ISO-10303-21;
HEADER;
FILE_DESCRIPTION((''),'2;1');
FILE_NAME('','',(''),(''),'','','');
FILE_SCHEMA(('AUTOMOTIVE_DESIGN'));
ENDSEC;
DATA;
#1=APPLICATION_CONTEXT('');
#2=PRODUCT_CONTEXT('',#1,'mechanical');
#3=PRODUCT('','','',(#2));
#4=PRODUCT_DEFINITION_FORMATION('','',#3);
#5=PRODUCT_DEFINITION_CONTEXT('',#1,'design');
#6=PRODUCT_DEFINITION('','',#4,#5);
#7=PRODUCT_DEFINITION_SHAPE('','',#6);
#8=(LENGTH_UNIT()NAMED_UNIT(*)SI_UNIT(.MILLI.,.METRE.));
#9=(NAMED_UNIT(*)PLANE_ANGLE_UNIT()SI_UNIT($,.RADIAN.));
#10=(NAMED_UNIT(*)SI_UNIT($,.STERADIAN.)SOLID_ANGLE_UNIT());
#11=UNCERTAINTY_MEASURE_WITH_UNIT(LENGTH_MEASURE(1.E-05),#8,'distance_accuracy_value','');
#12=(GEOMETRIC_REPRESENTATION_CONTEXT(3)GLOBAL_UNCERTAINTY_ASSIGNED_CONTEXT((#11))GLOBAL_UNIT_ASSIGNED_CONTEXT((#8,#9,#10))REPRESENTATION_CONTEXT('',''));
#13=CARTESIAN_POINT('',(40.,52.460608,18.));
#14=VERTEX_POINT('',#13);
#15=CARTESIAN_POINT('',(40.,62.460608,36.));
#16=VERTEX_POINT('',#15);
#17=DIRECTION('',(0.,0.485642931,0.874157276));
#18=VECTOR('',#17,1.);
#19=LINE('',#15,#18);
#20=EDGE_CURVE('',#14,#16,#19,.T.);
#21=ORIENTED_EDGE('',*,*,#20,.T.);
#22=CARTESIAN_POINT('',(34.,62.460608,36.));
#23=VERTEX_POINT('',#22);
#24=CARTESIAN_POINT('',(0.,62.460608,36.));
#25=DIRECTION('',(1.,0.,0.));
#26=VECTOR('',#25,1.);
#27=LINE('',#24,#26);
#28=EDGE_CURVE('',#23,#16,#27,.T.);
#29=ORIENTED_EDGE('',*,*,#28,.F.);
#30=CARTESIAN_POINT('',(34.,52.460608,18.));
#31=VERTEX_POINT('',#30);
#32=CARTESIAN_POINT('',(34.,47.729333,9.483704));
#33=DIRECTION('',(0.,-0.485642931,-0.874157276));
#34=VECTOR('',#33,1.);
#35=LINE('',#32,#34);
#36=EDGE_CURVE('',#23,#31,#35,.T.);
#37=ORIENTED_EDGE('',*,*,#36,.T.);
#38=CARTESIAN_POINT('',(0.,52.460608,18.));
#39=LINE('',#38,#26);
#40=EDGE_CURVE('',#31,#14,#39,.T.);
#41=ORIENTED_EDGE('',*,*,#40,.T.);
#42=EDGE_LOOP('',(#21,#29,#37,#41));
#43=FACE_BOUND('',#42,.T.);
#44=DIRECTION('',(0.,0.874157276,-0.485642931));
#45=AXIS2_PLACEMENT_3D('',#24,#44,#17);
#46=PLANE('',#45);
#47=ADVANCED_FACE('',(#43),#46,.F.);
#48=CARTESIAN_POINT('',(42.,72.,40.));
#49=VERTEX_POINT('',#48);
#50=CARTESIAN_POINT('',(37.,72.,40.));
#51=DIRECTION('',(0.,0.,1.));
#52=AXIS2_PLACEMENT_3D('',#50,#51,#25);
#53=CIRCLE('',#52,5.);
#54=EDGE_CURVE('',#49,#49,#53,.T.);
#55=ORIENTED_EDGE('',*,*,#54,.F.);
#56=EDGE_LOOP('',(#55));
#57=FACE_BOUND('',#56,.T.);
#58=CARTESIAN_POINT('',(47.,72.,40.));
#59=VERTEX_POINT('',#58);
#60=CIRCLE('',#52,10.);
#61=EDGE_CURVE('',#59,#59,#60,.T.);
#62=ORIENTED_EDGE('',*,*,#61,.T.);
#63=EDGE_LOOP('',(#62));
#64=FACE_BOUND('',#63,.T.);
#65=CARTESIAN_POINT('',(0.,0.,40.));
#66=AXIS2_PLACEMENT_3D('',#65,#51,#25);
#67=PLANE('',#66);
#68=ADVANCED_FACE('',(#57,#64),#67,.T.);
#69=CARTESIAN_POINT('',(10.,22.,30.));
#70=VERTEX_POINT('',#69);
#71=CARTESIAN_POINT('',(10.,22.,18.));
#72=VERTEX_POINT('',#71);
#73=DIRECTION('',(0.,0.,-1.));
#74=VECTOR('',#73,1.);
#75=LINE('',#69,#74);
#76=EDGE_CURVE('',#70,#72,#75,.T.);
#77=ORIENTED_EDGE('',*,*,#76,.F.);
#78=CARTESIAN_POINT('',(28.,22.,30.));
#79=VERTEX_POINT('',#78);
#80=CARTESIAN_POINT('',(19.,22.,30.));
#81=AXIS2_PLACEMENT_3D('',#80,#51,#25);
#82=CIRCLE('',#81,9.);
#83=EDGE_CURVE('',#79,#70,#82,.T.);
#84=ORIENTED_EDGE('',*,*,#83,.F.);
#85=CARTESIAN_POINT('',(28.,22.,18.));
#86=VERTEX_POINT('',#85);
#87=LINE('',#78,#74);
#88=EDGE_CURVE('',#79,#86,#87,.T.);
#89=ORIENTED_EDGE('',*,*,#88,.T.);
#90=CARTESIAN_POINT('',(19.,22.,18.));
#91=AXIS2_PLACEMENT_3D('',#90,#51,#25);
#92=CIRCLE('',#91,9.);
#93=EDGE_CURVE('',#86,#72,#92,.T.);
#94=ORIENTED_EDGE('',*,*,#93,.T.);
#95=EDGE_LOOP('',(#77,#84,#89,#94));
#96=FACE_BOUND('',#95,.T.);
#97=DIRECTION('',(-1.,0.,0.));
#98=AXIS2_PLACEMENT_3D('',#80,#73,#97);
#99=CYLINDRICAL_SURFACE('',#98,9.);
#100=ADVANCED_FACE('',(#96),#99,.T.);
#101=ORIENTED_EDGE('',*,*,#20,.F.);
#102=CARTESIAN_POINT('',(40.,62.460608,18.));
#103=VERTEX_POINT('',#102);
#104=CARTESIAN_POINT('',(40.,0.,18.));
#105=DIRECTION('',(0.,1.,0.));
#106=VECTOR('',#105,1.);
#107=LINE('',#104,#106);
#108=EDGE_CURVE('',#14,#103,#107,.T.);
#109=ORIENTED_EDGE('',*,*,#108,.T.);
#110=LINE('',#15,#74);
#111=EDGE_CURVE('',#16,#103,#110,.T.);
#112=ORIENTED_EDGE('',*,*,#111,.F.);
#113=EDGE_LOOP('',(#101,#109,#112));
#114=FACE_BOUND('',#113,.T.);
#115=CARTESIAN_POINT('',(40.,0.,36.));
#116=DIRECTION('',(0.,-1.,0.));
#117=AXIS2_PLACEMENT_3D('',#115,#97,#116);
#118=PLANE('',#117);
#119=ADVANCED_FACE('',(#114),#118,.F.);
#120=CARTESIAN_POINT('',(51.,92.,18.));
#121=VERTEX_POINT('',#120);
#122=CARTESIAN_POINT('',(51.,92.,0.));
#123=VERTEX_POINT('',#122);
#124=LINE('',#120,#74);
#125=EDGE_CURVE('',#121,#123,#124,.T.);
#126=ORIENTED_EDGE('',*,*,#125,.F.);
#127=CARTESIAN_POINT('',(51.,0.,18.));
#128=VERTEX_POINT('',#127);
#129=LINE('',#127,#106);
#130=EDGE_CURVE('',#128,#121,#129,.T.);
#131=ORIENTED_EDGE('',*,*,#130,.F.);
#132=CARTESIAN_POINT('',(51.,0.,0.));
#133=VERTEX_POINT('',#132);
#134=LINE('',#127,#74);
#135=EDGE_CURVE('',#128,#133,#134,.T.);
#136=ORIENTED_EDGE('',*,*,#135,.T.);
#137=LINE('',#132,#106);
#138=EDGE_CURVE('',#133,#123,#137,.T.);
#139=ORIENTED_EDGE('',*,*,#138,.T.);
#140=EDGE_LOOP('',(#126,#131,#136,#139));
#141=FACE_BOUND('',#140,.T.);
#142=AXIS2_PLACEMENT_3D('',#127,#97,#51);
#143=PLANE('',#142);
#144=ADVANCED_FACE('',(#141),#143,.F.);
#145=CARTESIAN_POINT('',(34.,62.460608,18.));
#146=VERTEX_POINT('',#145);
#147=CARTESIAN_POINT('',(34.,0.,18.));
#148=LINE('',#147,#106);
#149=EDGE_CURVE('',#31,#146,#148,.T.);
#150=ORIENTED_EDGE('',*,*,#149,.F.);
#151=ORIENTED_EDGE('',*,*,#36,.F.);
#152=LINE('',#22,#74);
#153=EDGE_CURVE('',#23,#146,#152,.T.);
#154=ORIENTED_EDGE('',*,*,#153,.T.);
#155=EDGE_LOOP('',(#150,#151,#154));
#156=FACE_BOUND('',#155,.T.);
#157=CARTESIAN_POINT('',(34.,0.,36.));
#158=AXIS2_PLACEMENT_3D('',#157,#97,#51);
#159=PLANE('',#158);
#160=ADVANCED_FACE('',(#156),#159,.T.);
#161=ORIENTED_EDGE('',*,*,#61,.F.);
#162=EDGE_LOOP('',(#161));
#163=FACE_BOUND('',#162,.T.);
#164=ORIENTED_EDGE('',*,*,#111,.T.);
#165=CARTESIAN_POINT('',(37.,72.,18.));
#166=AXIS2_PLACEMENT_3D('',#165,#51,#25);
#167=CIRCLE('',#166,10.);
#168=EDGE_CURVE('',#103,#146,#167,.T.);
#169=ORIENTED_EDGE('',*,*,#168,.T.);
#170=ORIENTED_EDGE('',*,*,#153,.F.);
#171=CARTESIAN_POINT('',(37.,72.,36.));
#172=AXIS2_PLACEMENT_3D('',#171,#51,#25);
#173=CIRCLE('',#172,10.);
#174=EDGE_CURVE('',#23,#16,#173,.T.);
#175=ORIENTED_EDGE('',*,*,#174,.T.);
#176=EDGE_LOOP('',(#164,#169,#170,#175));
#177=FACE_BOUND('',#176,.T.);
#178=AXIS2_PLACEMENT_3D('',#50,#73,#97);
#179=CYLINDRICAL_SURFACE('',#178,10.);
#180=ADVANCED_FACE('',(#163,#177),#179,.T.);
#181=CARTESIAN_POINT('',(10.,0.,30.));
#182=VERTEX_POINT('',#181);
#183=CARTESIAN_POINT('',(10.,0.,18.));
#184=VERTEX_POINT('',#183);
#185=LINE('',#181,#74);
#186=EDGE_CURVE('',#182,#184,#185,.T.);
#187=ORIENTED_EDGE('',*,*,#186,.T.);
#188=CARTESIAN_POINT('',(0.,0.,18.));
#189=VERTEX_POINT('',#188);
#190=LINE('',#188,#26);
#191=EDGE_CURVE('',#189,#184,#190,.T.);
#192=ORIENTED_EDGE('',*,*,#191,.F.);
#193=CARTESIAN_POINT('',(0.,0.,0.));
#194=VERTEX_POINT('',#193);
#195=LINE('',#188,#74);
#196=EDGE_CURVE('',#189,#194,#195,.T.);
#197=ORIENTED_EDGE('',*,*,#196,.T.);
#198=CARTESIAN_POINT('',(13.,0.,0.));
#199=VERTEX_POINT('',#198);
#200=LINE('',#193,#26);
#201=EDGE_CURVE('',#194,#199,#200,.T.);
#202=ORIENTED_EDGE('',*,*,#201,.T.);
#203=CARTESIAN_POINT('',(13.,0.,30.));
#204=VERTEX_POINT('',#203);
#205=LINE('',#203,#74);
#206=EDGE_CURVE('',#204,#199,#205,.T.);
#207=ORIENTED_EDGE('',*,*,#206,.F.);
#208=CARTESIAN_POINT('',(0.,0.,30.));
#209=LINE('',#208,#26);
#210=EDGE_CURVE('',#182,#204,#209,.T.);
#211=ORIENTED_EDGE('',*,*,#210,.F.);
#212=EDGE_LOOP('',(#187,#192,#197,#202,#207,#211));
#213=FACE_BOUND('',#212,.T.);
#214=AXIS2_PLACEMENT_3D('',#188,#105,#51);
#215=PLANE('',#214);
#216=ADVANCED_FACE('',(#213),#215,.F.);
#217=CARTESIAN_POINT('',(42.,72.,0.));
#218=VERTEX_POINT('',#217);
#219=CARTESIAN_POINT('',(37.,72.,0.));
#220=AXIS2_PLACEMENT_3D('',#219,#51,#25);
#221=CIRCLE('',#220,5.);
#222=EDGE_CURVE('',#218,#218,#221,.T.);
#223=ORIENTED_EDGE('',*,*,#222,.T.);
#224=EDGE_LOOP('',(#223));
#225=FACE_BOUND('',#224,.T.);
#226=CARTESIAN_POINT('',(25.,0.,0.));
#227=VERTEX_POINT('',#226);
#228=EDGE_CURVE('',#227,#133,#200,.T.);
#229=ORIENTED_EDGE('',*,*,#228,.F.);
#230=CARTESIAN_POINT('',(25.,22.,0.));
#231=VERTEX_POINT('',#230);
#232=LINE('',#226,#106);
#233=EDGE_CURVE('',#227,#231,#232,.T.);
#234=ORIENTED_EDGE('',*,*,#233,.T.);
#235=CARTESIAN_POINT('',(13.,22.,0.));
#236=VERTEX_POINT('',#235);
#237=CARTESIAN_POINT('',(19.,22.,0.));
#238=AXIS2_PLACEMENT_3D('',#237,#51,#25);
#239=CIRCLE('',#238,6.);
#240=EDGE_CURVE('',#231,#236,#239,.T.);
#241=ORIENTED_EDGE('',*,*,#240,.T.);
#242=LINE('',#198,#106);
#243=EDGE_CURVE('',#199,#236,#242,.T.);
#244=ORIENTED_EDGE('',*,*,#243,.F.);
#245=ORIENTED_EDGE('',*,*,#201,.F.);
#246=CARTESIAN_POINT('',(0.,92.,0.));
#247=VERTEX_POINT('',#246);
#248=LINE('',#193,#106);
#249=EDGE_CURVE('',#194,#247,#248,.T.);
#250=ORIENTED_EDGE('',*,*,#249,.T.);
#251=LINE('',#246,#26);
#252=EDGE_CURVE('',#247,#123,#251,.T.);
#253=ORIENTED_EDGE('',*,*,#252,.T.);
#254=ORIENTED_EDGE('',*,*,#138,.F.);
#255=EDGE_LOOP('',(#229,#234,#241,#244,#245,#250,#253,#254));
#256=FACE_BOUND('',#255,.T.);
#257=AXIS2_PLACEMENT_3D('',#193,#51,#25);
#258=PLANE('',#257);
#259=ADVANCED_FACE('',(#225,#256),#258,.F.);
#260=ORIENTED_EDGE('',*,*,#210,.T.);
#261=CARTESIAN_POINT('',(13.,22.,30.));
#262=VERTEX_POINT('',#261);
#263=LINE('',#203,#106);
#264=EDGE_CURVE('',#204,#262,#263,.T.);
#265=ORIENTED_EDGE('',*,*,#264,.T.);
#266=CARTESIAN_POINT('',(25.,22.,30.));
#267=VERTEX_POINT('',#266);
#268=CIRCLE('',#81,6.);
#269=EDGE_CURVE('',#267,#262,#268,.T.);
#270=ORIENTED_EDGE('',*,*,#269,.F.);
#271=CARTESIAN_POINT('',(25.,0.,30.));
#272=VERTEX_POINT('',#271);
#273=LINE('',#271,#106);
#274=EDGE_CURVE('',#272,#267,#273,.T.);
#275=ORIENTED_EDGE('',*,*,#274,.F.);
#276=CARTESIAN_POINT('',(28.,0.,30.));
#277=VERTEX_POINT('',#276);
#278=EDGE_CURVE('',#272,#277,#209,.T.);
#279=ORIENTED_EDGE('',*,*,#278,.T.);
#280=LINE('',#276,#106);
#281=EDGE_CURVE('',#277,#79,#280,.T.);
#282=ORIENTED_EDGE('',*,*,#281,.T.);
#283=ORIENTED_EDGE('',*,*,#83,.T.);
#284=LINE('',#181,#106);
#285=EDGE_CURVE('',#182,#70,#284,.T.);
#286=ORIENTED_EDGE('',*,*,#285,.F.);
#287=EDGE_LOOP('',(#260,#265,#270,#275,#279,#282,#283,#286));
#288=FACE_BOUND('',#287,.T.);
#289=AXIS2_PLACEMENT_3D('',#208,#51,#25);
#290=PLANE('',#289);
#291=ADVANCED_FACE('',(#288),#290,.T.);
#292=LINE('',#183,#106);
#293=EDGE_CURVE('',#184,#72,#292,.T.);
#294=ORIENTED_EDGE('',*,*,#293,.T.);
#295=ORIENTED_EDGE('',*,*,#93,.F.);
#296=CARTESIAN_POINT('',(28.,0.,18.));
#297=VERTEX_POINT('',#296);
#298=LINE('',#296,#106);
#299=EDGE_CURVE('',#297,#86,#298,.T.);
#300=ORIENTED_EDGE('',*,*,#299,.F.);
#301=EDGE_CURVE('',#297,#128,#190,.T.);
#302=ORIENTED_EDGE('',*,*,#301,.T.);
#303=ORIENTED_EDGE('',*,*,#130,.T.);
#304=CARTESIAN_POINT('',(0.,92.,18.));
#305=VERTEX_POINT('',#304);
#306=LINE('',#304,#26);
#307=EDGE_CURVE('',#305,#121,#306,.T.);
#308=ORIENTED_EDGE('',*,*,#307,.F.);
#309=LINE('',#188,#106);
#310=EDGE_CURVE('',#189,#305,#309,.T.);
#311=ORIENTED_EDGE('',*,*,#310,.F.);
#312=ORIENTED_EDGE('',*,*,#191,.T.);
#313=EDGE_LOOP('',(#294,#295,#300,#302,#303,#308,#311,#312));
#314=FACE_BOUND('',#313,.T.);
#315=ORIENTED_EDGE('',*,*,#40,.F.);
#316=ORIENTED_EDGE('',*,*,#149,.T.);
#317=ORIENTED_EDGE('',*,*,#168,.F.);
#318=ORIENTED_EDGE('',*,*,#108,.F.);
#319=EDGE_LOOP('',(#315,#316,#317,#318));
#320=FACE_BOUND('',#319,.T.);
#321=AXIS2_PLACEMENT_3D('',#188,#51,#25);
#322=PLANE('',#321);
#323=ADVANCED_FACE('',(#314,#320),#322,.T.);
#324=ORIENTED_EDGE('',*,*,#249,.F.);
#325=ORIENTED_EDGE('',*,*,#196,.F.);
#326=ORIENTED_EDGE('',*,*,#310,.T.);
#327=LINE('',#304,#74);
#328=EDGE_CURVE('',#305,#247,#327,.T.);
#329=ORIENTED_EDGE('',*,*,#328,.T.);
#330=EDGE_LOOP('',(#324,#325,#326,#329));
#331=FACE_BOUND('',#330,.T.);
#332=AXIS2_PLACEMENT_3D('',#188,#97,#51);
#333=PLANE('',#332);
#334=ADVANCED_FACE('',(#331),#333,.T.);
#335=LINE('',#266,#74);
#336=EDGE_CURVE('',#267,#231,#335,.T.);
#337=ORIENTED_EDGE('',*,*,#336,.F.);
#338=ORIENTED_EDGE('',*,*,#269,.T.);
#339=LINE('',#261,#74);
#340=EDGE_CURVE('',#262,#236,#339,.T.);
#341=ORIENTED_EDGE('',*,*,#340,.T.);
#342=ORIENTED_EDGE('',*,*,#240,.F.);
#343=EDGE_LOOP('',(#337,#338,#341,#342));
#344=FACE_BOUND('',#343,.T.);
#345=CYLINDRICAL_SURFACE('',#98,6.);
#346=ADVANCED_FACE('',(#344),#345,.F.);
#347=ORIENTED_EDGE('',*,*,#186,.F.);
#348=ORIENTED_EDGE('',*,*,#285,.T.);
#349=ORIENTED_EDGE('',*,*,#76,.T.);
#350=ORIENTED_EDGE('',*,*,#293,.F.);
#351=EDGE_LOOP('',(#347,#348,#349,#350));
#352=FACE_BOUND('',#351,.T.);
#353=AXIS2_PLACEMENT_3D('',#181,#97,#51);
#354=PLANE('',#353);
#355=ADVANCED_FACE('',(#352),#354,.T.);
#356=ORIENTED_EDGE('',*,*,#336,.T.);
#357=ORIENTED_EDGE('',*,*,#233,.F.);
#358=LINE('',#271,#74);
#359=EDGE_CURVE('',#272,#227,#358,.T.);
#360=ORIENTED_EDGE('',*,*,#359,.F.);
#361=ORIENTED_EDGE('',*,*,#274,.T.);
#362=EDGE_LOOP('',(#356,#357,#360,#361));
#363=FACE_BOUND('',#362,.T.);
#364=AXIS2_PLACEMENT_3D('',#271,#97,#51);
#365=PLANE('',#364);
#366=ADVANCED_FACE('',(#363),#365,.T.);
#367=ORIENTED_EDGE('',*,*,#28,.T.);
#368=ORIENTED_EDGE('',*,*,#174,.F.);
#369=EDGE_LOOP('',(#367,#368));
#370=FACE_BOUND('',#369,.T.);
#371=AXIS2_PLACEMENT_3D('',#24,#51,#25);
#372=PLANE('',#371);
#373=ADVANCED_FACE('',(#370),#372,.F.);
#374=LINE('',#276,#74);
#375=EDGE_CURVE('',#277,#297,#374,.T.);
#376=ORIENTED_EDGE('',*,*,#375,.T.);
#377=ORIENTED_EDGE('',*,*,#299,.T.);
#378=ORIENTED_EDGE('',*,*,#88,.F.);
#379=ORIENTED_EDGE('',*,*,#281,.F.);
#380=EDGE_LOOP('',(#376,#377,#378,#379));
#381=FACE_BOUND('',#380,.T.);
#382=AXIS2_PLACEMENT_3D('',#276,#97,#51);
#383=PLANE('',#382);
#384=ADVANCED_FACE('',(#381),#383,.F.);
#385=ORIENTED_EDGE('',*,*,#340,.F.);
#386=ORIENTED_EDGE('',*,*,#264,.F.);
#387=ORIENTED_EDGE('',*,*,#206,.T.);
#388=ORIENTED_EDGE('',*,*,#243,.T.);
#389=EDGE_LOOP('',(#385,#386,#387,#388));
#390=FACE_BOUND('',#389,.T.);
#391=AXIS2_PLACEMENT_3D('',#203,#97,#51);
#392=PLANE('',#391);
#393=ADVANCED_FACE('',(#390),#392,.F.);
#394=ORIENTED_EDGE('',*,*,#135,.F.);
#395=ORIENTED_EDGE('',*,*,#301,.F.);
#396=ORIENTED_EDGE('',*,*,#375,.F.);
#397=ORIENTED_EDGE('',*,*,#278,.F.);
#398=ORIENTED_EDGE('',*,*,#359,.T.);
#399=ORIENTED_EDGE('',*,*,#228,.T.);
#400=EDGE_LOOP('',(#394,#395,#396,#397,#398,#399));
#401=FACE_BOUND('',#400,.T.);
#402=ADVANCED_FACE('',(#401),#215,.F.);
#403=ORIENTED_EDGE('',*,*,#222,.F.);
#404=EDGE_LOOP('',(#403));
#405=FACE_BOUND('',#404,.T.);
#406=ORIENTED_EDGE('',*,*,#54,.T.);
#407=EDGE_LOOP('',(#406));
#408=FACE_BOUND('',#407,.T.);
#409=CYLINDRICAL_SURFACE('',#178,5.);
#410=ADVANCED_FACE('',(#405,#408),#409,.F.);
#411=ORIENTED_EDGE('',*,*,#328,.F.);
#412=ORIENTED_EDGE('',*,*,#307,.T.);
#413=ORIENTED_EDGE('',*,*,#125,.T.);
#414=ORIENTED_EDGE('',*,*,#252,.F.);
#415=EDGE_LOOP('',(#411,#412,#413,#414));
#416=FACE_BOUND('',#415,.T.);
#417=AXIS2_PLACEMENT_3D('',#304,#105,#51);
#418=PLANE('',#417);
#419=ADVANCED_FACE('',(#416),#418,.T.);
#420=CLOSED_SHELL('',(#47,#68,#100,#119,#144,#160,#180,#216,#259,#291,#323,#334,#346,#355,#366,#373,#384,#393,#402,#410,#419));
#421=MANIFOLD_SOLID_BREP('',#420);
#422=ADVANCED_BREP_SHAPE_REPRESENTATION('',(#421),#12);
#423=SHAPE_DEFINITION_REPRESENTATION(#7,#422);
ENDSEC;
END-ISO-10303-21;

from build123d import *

# Parameters (mm, degrees)
EXTRUDE_2_DEPTH     = 18
EXTRUDE_3_DEPTH     = 30
SKETCH_1_8_R        = 5
EXTRUDE_4_DEPTH     = 40
EXTRUDE_5_DEPTH     = 36
CUT_EXTRUDE_1_DEPTH = 109


with BuildPart() as part:
    # Эскиз1 → Бобышка-Вытянуть2 (new body)
    with BuildSketch(Plane.XY):
        with BuildLine():
            Line((0, 92), (0, 0))
            Line((0, 0), (10, 0))
            Line((10, 0), (10, 22))
            ThreePointArc((10, 22), (19, 31), (28, 22))
            Line((28, 22), (28, 0))
            Line((28, 0), (51, 0))
            Line((51, 0), (51, 92))
            Line((51, 92), (0, 92))
        make_face()
        with BuildLine():
            Line((40, 52.460607986), (34, 52.460607986))
            Line((34, 52.460607986), (34, 62.460607986))
            ThreePointArc((34, 62.460607986), (31.083920217, 80.062257748), (47, 72))
            ThreePointArc((47, 72), (45.062257748, 66.083920217), (40, 62.460607986))
            Line((40, 62.460607986), (40, 52.460607986))
        make_face(mode=Mode.SUBTRACT)
    extrude(amount=EXTRUDE_2_DEPTH)

    # Эскиз1<6> → Бобышка-Вытянуть3 (add)
    with BuildSketch(Plane.XY):
        with BuildLine():
            Line((10, 22), (10, 0))
            Line((10, 0), (13, 0))
            Line((13, 0), (13, 22))
            ThreePointArc((13, 22), (19, 28), (25, 22))
            Line((25, 22), (25, 0))
            Line((25, 0), (28, 0))
            Line((28, 0), (28, 22))
            ThreePointArc((28, 22), (19, 31), (10, 22))
        make_face()
    extrude(amount=EXTRUDE_3_DEPTH)

    # Эскиз1<8> → Бобышка-Вытянуть4 (add)
    with BuildSketch(Plane.XY):
        with BuildLine():
            ThreePointArc((47, 72), (31.083920217, 80.062257748), (34, 62.460607986))
            ThreePointArc((34, 62.460607986), (37, 62), (40, 62.460607986))
            ThreePointArc((40, 62.460607986), (45.062257748, 66.083920217), (47, 72))
        make_face()
        with Locations((37, 72)):
            Circle(SKETCH_1_8_R, mode=Mode.SUBTRACT)
    extrude(amount=EXTRUDE_4_DEPTH)

    # Эскиз1<9> → Бобышка-Вытянуть5 (add)
    with BuildSketch(Plane.XY):
        with BuildLine():
            Line((34, 62.460607986), (34, 52.460607986))
            Line((34, 52.460607986), (40, 52.460607986))
            Line((40, 52.460607986), (40, 62.460607986))
            ThreePointArc((40, 62.460607986), (37, 62), (34, 62.460607986))
        make_face()
    extrude(amount=EXTRUDE_5_DEPTH)

    # Эскиз3 → Вырез-Вытянуть1 (cut, through all)
    with BuildSketch(Plane(origin=(40, 0, 0), x_dir=(0, 0, -1), z_dir=(1, 0, 0))):
        Polygon((-36, 62.460607986), (-18, 52.460607986), (-36, 52.460607986), align=None)
    extrude(amount=-CUT_EXTRUDE_1_DEPTH, mode=Mode.SUBTRACT)


solid = part.part
